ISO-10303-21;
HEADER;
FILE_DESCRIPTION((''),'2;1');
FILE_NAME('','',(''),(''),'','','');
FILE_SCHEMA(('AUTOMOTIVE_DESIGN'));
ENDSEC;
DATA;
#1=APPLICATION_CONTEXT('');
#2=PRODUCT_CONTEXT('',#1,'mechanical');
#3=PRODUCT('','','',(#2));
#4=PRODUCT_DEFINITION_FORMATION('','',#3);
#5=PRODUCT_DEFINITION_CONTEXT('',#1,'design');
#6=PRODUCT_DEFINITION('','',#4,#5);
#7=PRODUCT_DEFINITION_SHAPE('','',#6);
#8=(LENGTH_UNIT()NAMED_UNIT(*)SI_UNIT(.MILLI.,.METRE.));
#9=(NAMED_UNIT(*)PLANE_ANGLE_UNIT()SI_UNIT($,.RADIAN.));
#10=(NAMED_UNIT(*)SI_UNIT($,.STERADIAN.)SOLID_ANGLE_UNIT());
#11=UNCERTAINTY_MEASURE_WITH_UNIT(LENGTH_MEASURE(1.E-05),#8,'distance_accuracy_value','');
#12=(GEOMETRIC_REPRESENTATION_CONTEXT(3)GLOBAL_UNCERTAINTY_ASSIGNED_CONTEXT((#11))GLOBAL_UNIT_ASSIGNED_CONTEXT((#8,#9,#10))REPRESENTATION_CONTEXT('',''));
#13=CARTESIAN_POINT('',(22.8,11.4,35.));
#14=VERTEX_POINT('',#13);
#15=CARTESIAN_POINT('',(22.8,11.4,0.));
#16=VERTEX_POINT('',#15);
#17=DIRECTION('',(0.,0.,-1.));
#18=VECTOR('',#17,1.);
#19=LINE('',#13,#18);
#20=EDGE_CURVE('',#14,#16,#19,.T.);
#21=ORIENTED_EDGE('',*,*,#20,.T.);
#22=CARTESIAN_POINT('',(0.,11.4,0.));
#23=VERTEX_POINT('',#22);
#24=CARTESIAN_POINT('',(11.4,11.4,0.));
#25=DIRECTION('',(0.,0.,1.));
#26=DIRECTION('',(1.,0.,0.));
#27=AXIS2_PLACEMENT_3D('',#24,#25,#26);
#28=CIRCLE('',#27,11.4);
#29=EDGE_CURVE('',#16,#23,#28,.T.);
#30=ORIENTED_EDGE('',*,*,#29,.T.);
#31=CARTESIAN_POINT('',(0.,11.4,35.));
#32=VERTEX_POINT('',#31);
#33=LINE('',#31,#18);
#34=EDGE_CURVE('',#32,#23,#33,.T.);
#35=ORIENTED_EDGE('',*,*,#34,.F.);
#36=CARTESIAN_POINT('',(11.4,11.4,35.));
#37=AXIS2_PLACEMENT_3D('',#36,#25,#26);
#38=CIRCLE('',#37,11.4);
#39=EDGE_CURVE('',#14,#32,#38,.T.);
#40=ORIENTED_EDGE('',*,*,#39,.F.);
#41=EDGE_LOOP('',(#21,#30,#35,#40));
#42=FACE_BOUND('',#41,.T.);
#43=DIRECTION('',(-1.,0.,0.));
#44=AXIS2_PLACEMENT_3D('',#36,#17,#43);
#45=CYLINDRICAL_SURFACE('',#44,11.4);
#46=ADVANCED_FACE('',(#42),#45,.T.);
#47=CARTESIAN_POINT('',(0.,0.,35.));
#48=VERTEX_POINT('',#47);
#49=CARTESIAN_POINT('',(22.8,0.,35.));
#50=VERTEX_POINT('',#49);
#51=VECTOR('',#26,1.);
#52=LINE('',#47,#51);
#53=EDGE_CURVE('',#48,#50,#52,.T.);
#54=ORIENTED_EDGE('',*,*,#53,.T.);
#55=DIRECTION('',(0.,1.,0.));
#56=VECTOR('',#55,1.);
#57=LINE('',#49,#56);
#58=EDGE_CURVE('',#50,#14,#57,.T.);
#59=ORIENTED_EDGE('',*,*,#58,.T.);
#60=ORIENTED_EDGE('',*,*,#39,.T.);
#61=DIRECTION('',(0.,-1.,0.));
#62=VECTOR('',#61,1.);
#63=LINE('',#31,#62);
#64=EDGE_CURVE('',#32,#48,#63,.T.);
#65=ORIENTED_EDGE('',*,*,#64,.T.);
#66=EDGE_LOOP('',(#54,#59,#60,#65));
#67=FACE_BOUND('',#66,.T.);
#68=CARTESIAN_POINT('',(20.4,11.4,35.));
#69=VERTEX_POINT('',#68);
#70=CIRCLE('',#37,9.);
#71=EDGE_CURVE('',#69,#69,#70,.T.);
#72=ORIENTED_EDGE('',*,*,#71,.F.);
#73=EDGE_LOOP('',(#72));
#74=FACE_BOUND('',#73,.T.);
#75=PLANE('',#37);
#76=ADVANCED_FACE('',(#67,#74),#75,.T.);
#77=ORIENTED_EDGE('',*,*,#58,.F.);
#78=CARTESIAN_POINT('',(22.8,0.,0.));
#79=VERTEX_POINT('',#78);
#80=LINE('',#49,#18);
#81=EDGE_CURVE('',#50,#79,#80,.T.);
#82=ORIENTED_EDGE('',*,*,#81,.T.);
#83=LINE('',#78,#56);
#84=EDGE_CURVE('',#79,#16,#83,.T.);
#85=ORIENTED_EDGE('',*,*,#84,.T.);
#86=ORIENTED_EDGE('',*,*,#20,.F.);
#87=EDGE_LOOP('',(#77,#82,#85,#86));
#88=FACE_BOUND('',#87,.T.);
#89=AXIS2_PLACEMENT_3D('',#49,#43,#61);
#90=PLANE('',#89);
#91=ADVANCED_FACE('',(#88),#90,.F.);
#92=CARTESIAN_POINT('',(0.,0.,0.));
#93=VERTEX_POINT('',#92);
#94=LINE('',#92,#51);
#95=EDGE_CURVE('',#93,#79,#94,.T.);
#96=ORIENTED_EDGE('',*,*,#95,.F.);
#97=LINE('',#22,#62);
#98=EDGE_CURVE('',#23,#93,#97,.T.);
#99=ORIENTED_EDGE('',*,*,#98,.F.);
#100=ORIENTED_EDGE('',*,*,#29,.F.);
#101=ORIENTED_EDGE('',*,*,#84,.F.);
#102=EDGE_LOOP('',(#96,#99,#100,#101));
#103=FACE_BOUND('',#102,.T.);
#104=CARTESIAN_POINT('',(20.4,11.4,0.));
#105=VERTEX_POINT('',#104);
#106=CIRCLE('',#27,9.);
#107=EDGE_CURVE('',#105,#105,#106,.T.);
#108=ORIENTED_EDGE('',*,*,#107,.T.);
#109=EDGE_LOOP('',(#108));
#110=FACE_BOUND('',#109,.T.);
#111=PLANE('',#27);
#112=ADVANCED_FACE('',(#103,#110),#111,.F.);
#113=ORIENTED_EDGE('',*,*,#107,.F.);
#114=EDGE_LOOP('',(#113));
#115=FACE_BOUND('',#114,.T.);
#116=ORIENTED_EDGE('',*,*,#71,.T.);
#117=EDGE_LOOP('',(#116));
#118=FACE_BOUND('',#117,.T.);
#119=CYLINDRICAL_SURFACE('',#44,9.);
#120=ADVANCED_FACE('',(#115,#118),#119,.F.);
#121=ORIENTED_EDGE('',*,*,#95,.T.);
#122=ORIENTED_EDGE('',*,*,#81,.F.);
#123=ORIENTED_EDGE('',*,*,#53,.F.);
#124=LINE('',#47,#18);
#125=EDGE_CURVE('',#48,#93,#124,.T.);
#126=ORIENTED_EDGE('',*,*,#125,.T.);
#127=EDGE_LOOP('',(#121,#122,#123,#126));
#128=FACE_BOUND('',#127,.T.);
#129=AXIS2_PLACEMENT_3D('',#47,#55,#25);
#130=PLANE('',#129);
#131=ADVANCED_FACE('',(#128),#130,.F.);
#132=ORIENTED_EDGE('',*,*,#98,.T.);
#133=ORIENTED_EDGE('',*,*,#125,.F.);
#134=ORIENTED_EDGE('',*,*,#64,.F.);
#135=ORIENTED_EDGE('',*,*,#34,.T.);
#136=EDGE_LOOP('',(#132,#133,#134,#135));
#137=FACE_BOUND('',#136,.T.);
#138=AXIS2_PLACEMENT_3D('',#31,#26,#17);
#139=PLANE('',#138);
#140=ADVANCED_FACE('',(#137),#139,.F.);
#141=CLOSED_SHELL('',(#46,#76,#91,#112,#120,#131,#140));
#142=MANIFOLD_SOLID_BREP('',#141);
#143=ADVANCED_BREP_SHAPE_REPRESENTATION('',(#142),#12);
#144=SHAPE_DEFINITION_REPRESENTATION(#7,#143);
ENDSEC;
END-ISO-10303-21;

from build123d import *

# Parameters (mm, degrees)
SKETCH1_R           = 9
BOSS_EXTRUDE1_DEPTH = 35


with BuildPart() as part:
    # Sketch1 → Boss-Extrude1 (new body)
    with BuildSketch(Plane.XY):
        with BuildLine():
            Line((0, 0), (22.8, 0))
            Line((22.8, 0), (22.8, 11.4))
            ThreePointArc((22.8, 11.4), (11.4, 22.8), (0, 11.4))
            Line((0, 11.4), (0, 0))
        make_face()
        with Locations((11.4, 11.4)):
            Circle(SKETCH1_R, mode=Mode.SUBTRACT)
    extrude(amount=BOSS_EXTRUDE1_DEPTH)


solid = part.part
